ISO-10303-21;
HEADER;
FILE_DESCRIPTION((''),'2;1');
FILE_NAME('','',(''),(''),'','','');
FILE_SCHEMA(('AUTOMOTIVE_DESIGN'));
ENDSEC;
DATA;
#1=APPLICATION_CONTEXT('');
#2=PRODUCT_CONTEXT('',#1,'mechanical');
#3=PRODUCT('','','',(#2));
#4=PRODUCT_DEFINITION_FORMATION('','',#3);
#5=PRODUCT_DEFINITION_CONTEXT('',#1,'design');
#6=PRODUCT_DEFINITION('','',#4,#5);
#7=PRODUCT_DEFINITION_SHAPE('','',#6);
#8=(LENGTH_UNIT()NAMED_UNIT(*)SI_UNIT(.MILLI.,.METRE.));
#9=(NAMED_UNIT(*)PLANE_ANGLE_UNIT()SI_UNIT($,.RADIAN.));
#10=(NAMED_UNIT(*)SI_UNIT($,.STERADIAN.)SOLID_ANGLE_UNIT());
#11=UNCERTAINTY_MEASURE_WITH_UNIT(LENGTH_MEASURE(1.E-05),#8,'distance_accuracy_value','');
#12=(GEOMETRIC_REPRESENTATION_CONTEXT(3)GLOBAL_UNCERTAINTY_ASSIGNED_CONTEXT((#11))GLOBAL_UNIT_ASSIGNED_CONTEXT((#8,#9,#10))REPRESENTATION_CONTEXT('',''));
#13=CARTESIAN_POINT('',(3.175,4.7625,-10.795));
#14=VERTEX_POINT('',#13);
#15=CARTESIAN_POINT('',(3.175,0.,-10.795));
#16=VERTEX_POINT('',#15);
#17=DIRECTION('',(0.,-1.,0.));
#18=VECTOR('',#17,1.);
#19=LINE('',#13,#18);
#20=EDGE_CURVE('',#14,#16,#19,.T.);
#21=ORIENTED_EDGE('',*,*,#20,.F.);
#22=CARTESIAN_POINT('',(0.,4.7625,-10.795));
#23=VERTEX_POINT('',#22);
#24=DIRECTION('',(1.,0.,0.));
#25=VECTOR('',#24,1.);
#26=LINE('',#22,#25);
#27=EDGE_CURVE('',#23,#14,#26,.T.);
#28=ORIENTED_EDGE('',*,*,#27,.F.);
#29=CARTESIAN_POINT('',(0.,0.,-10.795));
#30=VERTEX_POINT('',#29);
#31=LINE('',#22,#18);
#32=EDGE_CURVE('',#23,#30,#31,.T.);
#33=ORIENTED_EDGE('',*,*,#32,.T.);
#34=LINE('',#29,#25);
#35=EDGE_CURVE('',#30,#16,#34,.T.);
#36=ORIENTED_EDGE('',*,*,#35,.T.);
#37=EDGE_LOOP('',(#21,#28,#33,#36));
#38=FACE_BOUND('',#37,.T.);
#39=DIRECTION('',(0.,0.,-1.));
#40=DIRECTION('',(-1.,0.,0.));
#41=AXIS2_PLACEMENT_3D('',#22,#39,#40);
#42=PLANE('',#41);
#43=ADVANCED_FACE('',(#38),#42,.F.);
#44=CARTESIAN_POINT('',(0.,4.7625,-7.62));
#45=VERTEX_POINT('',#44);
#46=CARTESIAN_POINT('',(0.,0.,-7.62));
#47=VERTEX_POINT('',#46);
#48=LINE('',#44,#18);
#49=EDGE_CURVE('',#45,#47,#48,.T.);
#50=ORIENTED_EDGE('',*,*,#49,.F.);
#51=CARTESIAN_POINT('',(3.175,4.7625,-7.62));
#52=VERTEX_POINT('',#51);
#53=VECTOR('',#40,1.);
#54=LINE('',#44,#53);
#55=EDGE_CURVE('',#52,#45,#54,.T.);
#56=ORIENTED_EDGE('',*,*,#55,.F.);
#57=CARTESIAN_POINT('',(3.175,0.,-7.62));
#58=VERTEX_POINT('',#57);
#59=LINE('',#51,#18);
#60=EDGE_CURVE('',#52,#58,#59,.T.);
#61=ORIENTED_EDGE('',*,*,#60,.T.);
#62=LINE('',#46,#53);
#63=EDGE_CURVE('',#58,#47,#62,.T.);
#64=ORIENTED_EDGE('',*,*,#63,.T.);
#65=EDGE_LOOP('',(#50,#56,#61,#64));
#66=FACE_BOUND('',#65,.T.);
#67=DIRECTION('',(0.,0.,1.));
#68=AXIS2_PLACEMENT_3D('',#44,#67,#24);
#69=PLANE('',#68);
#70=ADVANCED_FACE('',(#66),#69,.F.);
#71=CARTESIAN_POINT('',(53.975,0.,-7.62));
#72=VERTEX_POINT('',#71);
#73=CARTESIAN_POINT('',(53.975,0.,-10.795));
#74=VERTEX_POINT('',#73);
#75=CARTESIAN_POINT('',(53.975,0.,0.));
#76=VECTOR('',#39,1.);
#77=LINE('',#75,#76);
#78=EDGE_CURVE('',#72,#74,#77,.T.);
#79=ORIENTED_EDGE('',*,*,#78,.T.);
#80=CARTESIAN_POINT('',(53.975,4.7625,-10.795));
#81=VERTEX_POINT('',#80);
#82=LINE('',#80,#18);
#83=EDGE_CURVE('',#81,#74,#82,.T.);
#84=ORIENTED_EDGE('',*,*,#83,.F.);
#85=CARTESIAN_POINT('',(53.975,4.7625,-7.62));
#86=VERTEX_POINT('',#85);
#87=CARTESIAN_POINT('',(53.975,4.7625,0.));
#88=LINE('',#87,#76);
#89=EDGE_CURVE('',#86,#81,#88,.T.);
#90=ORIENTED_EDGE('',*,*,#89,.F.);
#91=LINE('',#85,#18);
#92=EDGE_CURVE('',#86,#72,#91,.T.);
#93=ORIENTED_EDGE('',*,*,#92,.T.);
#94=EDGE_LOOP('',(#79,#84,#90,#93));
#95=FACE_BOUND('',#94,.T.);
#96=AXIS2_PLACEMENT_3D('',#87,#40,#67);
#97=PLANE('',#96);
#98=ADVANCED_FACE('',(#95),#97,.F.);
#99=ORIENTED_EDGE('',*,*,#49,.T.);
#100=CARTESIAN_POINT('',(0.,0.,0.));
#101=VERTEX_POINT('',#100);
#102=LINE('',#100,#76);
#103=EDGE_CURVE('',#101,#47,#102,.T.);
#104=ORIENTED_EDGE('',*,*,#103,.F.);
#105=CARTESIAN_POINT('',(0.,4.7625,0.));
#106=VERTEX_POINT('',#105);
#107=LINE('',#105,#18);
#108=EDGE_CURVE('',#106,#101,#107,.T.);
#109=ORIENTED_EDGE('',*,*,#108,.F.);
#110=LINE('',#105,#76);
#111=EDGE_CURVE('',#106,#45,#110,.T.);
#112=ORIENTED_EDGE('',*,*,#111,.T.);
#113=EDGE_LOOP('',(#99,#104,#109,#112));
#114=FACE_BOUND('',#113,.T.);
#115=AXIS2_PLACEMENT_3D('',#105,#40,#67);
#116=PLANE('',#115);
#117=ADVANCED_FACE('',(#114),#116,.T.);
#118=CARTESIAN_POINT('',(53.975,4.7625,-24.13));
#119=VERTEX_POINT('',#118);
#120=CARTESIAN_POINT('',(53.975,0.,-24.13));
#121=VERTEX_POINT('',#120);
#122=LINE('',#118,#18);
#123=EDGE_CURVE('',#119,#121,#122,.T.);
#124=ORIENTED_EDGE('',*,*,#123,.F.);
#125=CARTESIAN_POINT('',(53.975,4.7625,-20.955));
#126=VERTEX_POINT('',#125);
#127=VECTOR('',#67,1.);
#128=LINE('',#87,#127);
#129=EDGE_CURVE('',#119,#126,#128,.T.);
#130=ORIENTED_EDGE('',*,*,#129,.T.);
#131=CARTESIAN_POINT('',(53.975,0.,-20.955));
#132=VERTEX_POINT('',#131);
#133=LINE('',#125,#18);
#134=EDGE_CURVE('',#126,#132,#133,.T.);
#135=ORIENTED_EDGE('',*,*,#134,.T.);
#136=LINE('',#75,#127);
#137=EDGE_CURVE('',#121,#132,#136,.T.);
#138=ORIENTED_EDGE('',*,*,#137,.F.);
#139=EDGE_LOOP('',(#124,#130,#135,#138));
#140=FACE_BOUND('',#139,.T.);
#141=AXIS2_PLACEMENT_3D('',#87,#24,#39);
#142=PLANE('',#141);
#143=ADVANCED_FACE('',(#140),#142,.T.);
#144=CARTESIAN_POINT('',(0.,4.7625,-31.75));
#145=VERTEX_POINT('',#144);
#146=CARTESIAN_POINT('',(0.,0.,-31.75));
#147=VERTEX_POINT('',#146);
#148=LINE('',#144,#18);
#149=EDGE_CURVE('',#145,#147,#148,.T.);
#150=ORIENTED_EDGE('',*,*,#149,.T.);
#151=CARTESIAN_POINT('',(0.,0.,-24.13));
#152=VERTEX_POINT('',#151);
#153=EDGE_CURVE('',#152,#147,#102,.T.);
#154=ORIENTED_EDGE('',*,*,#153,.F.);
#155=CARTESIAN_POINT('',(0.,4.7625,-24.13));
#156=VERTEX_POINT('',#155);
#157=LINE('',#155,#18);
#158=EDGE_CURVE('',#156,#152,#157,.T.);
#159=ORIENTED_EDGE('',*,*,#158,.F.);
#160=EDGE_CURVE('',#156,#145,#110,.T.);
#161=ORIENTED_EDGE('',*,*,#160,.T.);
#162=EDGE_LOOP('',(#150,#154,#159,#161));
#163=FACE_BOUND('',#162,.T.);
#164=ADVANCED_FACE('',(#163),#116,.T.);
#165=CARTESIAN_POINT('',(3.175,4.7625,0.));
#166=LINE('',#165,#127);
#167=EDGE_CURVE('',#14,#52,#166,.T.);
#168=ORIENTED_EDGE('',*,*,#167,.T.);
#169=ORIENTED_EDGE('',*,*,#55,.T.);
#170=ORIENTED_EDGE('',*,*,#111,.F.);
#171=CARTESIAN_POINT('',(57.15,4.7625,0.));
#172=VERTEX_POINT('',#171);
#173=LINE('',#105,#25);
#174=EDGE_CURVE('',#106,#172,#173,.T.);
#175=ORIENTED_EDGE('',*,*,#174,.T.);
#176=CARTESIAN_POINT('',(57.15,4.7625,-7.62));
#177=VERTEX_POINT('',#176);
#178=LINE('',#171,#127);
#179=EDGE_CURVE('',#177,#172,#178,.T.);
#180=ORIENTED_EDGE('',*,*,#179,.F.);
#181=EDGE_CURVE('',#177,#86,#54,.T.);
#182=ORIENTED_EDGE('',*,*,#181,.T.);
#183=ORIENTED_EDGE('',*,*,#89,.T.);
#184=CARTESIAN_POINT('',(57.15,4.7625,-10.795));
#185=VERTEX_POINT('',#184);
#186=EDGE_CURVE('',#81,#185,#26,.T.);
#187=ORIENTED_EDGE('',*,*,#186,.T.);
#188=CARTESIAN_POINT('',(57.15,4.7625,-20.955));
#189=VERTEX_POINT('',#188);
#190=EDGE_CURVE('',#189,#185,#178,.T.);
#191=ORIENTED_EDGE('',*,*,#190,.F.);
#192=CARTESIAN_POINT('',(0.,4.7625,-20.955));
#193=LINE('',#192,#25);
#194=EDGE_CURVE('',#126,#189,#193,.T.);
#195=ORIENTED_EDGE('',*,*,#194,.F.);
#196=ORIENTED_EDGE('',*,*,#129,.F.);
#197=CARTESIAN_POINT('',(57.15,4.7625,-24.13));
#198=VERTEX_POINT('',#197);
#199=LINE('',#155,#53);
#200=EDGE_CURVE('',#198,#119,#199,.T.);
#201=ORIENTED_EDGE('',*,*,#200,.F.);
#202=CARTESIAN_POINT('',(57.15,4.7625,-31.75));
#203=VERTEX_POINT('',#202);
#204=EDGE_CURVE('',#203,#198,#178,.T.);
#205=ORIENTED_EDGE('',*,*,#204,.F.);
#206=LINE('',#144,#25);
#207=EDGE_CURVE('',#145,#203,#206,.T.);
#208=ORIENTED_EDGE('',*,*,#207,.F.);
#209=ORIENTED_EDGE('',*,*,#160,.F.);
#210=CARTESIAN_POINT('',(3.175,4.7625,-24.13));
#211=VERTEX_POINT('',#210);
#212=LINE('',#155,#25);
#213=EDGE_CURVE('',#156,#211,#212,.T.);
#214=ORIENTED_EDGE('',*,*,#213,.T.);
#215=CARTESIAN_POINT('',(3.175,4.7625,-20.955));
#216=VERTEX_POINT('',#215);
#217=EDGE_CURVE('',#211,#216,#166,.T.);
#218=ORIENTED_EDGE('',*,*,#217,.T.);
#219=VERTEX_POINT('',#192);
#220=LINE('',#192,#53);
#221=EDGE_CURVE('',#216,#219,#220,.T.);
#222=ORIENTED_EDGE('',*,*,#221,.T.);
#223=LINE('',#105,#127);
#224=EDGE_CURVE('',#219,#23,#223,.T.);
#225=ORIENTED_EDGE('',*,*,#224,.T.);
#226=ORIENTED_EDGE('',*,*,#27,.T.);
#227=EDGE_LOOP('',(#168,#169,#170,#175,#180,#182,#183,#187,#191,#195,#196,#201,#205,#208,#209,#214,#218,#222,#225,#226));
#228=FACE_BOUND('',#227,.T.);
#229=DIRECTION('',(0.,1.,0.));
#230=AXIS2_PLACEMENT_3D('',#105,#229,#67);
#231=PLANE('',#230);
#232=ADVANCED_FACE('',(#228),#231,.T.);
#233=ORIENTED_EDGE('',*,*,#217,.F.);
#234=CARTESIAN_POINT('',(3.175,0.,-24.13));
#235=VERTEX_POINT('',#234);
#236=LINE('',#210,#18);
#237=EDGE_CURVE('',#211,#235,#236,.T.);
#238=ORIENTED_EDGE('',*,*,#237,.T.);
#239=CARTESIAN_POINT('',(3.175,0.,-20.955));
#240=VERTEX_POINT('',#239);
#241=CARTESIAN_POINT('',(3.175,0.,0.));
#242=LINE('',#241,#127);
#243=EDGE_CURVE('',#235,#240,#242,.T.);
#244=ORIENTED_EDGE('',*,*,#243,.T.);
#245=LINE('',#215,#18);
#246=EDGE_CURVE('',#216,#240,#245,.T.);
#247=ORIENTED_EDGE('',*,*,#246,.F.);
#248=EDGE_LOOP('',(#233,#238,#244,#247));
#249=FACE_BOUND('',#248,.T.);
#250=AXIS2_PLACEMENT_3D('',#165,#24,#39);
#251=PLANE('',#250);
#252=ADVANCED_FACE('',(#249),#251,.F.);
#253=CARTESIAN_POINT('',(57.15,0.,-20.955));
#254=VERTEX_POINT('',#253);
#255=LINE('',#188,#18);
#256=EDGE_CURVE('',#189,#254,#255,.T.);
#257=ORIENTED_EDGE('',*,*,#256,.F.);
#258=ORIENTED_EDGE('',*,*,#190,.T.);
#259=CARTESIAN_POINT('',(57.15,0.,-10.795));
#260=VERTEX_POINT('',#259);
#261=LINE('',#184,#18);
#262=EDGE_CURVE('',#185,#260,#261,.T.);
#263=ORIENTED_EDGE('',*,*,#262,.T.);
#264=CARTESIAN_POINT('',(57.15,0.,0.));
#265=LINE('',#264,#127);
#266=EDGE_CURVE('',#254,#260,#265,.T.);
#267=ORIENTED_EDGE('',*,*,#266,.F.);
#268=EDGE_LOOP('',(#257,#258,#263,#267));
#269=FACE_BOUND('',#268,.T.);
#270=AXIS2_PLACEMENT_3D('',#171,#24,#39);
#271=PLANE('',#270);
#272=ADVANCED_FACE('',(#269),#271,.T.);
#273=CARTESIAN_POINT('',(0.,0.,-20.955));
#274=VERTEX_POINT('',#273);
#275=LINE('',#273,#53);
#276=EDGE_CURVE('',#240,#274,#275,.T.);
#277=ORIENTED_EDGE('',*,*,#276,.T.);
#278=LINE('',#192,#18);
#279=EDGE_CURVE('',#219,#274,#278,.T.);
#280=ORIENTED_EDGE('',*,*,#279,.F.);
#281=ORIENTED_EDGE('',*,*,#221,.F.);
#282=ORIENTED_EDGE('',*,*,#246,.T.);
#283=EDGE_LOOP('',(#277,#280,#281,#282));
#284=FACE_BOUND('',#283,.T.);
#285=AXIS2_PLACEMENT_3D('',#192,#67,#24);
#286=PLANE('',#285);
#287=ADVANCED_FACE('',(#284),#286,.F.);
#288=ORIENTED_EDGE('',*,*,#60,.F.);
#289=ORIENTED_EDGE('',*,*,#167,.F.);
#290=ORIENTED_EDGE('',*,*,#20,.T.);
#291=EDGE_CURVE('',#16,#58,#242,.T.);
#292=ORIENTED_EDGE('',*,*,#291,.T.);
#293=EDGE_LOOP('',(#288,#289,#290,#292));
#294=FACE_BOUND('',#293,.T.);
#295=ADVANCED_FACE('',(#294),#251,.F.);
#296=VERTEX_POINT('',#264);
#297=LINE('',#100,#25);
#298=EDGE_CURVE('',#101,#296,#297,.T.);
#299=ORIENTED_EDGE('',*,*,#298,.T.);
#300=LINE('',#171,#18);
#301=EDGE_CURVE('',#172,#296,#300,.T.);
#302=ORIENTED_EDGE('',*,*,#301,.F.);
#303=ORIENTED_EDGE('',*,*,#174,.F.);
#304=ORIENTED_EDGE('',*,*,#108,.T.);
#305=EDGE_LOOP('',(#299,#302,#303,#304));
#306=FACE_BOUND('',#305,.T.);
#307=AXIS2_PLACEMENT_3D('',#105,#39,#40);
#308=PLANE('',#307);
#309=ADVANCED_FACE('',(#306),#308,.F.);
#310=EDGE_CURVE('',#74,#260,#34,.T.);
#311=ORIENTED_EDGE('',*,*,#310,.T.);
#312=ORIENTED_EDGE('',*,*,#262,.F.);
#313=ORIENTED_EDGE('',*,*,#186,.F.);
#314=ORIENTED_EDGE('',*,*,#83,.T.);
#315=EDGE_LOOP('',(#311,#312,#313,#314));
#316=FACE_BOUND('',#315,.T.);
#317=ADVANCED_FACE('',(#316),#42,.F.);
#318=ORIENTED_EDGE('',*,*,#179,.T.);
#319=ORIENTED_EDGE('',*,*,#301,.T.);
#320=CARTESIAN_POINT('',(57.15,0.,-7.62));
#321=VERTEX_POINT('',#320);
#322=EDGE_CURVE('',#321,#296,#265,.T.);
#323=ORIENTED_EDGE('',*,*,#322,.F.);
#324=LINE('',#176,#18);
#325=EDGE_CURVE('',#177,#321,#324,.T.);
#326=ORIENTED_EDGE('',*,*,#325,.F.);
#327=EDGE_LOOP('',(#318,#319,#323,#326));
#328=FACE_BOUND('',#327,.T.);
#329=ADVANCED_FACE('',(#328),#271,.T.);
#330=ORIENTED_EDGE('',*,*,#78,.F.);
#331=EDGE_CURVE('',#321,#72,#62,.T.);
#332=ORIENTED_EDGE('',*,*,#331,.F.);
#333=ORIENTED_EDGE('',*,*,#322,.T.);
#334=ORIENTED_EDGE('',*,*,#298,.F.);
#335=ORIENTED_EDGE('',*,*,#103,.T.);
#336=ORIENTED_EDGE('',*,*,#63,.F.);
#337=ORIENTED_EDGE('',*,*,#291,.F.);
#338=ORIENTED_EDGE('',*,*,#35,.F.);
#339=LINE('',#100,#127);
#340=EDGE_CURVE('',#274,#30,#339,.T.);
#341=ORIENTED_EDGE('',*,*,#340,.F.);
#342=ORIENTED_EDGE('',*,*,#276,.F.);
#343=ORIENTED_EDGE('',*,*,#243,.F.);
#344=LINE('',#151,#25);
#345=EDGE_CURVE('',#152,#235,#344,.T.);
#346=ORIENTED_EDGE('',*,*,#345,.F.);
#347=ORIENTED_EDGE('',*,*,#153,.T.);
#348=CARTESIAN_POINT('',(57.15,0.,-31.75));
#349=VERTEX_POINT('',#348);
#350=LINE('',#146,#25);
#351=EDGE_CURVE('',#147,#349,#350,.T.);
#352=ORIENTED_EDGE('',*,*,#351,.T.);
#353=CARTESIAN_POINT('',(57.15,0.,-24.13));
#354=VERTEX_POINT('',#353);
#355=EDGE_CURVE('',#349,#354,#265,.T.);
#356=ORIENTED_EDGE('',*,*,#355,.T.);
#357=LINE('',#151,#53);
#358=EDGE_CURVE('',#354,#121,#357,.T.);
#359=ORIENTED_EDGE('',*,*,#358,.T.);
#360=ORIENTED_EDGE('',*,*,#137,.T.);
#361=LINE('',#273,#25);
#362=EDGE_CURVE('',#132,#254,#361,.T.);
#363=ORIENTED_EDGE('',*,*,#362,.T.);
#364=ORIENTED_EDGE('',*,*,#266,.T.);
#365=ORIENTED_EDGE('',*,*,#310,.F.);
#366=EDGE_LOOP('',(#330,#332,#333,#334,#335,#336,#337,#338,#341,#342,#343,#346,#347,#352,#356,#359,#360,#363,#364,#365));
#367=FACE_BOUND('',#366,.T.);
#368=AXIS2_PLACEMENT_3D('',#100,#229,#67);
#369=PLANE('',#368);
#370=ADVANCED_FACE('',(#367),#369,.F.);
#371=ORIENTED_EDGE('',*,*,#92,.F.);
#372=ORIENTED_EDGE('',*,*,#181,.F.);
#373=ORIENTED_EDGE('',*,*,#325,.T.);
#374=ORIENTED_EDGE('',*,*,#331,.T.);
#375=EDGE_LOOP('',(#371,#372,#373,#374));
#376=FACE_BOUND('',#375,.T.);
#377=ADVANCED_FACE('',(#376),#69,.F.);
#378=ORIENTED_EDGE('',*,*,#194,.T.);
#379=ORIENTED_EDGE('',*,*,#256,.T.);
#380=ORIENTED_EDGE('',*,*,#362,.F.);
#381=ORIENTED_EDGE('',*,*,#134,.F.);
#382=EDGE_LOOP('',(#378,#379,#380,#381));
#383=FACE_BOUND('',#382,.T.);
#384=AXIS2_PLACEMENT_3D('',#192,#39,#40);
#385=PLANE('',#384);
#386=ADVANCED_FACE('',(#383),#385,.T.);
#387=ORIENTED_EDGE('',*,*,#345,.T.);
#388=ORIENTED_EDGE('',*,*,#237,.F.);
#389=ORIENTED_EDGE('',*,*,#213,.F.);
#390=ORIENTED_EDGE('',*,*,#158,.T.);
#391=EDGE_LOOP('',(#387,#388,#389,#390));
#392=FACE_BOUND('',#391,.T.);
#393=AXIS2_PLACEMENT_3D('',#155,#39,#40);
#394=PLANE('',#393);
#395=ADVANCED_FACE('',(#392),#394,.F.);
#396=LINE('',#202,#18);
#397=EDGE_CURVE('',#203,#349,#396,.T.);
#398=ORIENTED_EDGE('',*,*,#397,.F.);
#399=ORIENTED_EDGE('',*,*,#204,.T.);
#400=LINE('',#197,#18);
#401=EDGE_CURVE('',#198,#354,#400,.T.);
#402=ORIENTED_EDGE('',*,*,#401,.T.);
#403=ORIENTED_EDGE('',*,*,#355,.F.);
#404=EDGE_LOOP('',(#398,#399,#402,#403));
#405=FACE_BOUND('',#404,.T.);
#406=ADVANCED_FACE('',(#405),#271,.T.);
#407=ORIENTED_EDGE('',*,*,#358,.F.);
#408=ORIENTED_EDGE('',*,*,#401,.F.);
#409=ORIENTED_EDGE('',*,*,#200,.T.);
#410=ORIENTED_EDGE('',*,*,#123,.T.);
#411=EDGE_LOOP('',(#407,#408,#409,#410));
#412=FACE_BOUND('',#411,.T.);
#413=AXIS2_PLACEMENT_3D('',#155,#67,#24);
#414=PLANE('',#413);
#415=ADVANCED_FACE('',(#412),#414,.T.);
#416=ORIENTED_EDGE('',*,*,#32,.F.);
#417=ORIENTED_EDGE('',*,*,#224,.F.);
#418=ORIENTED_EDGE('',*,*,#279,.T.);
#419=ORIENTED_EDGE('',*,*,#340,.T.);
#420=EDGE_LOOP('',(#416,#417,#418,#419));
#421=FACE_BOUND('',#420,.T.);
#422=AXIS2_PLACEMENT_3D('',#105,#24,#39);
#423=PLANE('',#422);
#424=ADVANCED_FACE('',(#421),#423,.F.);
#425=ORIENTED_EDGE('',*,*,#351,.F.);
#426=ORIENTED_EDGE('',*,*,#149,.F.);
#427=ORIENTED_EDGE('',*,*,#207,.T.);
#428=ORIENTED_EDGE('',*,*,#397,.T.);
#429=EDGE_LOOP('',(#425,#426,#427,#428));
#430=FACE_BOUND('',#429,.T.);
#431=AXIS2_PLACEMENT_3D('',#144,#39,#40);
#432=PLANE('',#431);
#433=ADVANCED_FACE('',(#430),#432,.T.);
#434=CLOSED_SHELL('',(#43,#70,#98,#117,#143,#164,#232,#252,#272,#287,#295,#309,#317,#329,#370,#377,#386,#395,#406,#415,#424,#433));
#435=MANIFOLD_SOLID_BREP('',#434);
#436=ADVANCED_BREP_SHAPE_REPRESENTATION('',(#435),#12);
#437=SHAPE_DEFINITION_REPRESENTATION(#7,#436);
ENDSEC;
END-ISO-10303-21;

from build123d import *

# Parameters (mm, degrees)
BOSS_EXTRUDE1_DEPTH = 4.7625


with BuildPart() as part:
    # Sketch1 → Boss-Extrude1 (new body)
    with BuildSketch(Plane(origin=(0, 0, 0), x_dir=(1, 0, 0), z_dir=(0, 1, 0))):
        Polygon((0, 24.13), (0, 31.75), (57.15, 31.75), (57.15, 24.13), (53.975, 24.13), (53.975, 20.955), (57.15, 20.955), (57.15, 10.795), (53.975, 10.795), (53.975, 7.62), (57.15, 7.62), (57.15, 0), (0, 0), (0, 7.62), (3.175, 7.62), (3.175, 10.795), (0, 10.795), (0, 20.955), (3.175, 20.955), (3.175, 24.13), align=None)
    extrude(amount=BOSS_EXTRUDE1_DEPTH)


solid = part.part
